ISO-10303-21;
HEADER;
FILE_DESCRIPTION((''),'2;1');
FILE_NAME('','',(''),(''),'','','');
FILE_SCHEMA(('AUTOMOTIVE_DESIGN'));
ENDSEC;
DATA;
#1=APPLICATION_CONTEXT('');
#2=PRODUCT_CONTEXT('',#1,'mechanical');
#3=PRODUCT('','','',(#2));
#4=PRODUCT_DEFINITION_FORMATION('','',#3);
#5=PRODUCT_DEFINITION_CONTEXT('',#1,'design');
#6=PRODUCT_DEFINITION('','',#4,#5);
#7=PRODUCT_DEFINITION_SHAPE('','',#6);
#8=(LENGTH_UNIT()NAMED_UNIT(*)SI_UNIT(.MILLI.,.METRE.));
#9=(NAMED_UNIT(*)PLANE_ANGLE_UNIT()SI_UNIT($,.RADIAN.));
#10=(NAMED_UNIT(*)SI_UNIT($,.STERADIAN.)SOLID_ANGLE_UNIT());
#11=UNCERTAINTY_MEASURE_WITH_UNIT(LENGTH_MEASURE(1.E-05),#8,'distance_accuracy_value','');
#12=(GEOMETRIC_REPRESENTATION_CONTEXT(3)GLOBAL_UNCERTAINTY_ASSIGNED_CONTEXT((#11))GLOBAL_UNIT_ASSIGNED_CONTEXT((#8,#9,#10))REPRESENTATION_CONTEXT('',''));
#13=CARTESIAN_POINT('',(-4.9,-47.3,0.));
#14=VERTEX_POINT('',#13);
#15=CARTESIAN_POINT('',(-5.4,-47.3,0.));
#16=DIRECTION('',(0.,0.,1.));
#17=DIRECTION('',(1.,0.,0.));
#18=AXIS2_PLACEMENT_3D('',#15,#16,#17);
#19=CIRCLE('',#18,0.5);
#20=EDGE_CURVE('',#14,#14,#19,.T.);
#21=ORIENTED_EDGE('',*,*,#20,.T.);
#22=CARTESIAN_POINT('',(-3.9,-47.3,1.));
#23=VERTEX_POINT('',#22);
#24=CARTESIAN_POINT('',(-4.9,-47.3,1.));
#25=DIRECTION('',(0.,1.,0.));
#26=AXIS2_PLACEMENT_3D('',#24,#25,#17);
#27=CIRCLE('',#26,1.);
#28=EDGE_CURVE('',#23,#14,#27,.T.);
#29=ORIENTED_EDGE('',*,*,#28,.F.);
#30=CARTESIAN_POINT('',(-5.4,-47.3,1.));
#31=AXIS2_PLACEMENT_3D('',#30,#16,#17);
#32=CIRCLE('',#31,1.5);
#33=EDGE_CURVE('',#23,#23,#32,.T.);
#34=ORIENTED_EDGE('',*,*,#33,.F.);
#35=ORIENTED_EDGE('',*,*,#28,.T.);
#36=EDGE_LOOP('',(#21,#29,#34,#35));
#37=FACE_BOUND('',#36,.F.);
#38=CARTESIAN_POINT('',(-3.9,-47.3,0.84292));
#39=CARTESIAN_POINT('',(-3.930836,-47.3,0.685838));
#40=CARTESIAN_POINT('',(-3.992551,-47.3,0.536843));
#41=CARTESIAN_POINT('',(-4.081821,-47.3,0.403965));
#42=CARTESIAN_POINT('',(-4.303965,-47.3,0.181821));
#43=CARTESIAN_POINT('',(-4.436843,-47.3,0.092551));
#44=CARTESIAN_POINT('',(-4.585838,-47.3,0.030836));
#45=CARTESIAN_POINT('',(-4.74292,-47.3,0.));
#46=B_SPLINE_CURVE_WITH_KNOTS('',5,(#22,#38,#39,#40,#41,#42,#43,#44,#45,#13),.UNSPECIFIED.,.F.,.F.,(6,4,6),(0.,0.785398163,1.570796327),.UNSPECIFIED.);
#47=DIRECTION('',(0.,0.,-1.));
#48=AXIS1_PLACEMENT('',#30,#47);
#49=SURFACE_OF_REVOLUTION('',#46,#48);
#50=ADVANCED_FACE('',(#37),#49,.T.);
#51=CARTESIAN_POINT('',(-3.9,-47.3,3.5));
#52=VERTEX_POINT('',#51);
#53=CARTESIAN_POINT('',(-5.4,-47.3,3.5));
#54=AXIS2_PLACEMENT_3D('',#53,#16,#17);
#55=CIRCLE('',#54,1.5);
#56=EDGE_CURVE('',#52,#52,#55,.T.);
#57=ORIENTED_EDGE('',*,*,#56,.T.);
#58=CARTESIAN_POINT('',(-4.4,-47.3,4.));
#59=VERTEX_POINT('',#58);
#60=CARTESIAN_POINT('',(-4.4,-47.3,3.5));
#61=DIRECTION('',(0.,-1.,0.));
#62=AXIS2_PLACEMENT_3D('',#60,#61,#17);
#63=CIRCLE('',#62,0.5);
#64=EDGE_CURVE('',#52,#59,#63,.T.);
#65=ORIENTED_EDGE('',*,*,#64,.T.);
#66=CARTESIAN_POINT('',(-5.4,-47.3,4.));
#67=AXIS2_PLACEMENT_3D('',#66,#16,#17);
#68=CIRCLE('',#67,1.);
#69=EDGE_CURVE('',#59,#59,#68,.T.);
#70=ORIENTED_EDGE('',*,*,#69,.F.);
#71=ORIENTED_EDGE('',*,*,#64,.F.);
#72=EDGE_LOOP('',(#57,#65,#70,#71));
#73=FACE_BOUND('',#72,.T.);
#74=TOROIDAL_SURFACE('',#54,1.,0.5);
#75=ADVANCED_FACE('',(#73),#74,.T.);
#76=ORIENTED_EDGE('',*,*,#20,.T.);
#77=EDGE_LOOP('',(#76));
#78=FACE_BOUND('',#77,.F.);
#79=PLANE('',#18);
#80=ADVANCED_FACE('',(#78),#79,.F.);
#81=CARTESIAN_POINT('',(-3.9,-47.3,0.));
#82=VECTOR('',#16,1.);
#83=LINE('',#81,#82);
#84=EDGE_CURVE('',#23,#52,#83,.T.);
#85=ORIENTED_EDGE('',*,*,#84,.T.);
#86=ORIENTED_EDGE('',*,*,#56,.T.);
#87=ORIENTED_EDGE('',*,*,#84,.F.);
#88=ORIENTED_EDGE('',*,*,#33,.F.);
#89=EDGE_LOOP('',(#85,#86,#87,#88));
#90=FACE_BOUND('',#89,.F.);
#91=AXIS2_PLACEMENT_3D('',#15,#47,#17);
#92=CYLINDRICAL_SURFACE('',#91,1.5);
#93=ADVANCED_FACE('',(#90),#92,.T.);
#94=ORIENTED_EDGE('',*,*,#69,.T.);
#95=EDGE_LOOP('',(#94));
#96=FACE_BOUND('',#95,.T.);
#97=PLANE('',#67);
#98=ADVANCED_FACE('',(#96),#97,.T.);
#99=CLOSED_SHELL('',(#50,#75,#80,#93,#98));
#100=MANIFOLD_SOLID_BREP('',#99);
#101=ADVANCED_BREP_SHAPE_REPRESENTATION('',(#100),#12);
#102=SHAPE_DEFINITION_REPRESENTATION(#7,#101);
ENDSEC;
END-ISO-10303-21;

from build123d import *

# Parameters (mm, degrees)
CYLINDER034_R     = 1.5
CYLINDER034_DEPTH = 4
FILLET019_1_R     = 1
FILLET019_2_R     = 0.5


with BuildPart() as part:
    # Cylinder034 → Cylinder034 (new body)
    with BuildSketch(Plane(origin=(-5.4, -47.3, 0), x_dir=(1, 0, 0), z_dir=(0, 0, 1))):
        Circle(CYLINDER034_R)
    extrude(amount=CYLINDER034_DEPTH)

    # Fillet019 1
    fillet019_1_edges = [part.edges().sort_by_distance(p)[0] for p in [
        (-6.9, -47.3, 0),
    ]]
    fillet(fillet019_1_edges, radius=FILLET019_1_R)

    # Fillet019 2
    fillet019_2_edges = [part.edges().sort_by_distance(p)[0] for p in [
        (-6.9, -47.3, 4),
    ]]
    fillet(fillet019_2_edges, radius=FILLET019_2_R)


solid = part.part
